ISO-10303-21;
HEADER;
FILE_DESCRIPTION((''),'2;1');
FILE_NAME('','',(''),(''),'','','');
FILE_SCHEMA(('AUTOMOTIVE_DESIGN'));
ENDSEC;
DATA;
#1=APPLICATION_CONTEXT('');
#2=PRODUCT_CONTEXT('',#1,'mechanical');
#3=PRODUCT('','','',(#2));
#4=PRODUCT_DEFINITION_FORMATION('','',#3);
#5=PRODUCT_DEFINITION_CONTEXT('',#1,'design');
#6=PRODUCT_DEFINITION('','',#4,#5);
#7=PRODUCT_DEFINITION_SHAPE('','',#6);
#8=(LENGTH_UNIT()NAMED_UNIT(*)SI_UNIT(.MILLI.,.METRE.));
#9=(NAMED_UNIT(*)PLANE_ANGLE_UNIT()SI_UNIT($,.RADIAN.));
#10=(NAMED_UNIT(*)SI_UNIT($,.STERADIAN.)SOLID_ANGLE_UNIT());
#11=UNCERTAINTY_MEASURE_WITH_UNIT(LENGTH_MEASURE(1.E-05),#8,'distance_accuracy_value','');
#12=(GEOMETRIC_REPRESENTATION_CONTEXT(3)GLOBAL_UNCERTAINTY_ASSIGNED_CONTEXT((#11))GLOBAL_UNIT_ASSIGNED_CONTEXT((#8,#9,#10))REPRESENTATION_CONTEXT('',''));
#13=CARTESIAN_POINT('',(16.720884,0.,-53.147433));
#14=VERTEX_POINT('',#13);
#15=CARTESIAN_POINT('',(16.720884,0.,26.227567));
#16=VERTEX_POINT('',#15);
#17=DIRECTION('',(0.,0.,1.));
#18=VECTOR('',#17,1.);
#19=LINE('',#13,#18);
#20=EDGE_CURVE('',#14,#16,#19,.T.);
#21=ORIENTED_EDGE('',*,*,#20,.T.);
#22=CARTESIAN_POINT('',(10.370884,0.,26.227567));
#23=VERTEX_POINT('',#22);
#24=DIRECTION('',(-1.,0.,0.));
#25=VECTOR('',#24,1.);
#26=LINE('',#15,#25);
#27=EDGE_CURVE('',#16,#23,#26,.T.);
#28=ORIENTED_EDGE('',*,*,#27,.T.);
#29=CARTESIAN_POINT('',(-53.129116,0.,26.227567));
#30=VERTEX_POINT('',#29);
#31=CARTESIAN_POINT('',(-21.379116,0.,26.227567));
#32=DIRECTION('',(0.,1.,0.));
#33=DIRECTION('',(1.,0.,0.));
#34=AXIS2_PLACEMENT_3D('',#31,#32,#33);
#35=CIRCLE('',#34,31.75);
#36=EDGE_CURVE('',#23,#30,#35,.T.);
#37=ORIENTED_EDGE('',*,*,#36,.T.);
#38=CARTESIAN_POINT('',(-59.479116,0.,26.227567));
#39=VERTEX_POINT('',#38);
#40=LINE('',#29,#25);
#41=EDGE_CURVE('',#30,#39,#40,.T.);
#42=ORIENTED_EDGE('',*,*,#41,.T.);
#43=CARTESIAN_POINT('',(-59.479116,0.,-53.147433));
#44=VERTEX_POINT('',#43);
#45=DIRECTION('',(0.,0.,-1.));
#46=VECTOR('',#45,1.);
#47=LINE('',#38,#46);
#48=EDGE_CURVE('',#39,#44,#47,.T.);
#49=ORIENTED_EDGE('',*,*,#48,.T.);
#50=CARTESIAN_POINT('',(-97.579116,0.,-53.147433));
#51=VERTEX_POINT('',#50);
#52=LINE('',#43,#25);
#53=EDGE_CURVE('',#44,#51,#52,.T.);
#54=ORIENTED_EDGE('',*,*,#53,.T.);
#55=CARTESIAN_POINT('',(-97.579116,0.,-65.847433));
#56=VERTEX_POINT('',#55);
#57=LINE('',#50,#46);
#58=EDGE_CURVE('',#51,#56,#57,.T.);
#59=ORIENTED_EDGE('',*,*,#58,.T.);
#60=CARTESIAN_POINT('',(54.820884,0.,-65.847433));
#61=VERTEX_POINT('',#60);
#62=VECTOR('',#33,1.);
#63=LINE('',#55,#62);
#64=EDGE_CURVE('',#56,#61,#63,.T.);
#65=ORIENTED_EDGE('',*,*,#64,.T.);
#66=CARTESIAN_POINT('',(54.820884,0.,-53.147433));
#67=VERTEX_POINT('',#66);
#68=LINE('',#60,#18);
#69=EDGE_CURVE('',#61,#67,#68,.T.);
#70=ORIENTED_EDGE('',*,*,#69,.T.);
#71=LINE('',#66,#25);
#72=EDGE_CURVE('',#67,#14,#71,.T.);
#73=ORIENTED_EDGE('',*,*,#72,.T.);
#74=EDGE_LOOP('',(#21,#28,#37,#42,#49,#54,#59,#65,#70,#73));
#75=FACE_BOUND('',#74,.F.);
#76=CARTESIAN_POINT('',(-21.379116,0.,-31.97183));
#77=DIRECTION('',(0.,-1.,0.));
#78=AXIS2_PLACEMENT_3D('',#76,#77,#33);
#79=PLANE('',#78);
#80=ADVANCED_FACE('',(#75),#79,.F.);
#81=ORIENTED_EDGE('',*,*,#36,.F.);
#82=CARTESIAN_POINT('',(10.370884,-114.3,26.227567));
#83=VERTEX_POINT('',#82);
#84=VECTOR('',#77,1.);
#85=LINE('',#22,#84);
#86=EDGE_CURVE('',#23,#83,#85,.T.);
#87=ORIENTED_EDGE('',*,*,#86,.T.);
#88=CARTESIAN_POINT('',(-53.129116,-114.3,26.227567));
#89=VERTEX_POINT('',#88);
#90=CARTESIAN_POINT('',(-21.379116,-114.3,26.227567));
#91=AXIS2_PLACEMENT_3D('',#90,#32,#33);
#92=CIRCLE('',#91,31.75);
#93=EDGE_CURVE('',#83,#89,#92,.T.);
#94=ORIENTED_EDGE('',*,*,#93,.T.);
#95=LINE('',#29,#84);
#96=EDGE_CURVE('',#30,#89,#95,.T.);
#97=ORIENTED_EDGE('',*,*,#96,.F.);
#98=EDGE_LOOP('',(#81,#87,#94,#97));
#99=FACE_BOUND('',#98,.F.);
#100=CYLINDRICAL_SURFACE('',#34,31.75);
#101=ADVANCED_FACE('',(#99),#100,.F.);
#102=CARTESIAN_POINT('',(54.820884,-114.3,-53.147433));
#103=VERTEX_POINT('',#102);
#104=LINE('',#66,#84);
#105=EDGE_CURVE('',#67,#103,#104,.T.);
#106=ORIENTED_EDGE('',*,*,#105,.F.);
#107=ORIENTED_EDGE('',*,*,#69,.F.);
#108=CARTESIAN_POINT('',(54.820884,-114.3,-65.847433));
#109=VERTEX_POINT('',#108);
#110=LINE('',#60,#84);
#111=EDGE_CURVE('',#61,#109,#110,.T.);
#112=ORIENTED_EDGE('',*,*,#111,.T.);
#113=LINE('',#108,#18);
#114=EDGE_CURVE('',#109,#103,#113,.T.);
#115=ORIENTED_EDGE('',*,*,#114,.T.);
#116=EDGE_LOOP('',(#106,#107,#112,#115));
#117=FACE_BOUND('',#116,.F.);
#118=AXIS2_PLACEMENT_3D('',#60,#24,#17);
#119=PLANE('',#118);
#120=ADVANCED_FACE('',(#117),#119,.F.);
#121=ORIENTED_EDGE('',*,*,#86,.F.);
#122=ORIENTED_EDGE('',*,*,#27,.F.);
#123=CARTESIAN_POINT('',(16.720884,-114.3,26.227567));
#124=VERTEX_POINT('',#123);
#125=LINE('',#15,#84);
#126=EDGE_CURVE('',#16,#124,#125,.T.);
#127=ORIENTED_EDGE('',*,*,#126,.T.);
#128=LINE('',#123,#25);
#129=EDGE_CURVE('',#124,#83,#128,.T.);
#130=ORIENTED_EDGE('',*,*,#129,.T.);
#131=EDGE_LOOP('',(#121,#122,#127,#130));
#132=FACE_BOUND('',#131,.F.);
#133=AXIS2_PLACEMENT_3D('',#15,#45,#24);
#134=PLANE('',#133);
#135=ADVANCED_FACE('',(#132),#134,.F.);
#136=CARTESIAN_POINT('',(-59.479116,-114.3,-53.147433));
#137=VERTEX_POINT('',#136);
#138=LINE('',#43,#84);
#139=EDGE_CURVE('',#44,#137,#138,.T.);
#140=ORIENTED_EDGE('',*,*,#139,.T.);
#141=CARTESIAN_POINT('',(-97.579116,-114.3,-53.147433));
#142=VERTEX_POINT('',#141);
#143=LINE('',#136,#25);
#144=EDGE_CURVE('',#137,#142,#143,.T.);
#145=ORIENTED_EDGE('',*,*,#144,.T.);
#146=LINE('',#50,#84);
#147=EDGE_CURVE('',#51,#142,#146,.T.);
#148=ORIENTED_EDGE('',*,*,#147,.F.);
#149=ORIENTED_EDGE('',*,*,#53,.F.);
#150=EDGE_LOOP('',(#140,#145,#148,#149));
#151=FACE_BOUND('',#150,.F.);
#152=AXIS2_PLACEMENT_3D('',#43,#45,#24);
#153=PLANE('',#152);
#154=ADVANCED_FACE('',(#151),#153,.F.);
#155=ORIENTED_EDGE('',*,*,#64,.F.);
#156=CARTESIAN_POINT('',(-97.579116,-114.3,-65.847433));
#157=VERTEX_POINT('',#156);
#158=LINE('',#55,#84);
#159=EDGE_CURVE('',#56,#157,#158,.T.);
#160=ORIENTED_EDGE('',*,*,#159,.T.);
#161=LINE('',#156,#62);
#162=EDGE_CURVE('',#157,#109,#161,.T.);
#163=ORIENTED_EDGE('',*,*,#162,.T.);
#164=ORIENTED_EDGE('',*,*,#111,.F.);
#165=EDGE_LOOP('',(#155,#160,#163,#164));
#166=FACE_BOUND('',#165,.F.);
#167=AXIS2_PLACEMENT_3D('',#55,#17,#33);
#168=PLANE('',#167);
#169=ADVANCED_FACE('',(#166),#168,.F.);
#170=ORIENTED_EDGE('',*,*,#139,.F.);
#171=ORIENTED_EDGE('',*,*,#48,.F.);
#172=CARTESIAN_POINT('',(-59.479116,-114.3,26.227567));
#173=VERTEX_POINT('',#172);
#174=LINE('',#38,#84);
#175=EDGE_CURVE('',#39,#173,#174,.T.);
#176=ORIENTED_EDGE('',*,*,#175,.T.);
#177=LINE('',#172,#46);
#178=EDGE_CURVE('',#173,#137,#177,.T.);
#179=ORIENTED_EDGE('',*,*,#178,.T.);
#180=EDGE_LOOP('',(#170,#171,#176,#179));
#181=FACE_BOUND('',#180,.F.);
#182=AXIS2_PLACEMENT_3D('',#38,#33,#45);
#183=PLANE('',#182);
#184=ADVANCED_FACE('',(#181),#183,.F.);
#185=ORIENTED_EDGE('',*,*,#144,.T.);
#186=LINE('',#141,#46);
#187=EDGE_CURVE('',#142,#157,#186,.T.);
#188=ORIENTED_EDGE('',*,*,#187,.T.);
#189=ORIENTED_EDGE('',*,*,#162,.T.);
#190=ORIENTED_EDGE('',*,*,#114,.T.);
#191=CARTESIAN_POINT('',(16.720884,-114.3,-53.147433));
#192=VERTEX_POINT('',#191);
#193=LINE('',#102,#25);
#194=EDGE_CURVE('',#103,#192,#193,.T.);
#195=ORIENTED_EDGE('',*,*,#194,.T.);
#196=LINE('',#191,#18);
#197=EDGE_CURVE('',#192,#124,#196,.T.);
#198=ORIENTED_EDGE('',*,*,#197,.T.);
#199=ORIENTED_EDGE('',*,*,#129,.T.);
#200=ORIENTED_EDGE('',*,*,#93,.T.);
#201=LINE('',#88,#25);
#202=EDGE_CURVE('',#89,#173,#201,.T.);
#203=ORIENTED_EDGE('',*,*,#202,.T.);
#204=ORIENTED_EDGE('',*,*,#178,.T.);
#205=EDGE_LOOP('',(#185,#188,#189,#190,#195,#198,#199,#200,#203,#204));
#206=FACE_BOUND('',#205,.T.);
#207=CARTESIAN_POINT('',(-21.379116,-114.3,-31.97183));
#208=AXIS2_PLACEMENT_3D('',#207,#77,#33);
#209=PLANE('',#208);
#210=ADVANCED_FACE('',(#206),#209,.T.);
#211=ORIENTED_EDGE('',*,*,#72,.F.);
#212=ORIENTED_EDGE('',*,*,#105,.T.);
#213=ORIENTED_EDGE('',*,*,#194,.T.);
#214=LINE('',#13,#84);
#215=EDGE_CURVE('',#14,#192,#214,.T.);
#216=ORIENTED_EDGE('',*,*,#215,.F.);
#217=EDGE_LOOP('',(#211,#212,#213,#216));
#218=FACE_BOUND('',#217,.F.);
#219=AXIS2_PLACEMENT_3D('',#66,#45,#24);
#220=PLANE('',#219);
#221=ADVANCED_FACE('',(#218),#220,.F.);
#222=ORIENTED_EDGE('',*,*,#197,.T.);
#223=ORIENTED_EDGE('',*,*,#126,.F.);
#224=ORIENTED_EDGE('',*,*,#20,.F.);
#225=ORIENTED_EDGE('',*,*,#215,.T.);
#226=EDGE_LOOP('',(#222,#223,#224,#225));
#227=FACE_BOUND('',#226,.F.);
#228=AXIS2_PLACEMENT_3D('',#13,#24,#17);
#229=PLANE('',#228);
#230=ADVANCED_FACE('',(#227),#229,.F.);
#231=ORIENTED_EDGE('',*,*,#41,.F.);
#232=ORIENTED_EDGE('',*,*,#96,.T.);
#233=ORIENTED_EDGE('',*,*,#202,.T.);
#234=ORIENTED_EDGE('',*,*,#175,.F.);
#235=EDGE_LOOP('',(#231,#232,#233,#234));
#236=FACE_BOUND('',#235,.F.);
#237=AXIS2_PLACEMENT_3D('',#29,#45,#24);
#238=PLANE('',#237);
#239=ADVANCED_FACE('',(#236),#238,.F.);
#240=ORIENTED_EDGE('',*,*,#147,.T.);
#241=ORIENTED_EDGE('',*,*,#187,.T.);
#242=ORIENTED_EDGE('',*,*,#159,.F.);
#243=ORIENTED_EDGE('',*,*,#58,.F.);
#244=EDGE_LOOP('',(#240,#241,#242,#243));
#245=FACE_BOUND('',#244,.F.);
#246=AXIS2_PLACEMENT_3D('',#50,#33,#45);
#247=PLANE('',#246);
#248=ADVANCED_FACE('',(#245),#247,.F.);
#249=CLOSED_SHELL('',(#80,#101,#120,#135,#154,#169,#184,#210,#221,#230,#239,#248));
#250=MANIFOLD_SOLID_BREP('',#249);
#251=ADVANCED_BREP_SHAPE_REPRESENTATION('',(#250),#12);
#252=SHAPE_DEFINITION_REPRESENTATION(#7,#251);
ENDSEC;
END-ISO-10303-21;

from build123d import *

# Parameters (mm, degrees)
F1_DEPTH = 114.3


with BuildPart() as f1:
    # F0 (on Front) → F1 (new body)
    with BuildSketch(Plane.XZ):
        with BuildLine():
            Line((-97.579116, -53.147433), (-97.579116, -65.847433))
            Line((-97.579116, -65.847433), (-21.379116, -65.847433))
            Line((-21.379116, -65.847433), (54.820884, -65.847433))
            Line((54.820884, -65.847433), (54.820884, -53.147433))
            Line((54.820884, -53.147433), (16.720884, -53.147433))
            Line((16.720884, -53.147433), (16.720884, 26.227567))
            Line((16.720884, 26.227567), (10.370884, 26.227567))
            ThreePointArc((10.370884, 26.227567), (-21.379116, -5.522433), (-53.129116, 26.227567))
            Line((-53.129116, 26.227567), (-59.479116, 26.227567))
            Line((-59.479116, 26.227567), (-59.479116, -53.147433))
            Line((-59.479116, -53.147433), (-97.579116, -53.147433))
        make_face()
    extrude(amount=F1_DEPTH)


solid = f1.part
